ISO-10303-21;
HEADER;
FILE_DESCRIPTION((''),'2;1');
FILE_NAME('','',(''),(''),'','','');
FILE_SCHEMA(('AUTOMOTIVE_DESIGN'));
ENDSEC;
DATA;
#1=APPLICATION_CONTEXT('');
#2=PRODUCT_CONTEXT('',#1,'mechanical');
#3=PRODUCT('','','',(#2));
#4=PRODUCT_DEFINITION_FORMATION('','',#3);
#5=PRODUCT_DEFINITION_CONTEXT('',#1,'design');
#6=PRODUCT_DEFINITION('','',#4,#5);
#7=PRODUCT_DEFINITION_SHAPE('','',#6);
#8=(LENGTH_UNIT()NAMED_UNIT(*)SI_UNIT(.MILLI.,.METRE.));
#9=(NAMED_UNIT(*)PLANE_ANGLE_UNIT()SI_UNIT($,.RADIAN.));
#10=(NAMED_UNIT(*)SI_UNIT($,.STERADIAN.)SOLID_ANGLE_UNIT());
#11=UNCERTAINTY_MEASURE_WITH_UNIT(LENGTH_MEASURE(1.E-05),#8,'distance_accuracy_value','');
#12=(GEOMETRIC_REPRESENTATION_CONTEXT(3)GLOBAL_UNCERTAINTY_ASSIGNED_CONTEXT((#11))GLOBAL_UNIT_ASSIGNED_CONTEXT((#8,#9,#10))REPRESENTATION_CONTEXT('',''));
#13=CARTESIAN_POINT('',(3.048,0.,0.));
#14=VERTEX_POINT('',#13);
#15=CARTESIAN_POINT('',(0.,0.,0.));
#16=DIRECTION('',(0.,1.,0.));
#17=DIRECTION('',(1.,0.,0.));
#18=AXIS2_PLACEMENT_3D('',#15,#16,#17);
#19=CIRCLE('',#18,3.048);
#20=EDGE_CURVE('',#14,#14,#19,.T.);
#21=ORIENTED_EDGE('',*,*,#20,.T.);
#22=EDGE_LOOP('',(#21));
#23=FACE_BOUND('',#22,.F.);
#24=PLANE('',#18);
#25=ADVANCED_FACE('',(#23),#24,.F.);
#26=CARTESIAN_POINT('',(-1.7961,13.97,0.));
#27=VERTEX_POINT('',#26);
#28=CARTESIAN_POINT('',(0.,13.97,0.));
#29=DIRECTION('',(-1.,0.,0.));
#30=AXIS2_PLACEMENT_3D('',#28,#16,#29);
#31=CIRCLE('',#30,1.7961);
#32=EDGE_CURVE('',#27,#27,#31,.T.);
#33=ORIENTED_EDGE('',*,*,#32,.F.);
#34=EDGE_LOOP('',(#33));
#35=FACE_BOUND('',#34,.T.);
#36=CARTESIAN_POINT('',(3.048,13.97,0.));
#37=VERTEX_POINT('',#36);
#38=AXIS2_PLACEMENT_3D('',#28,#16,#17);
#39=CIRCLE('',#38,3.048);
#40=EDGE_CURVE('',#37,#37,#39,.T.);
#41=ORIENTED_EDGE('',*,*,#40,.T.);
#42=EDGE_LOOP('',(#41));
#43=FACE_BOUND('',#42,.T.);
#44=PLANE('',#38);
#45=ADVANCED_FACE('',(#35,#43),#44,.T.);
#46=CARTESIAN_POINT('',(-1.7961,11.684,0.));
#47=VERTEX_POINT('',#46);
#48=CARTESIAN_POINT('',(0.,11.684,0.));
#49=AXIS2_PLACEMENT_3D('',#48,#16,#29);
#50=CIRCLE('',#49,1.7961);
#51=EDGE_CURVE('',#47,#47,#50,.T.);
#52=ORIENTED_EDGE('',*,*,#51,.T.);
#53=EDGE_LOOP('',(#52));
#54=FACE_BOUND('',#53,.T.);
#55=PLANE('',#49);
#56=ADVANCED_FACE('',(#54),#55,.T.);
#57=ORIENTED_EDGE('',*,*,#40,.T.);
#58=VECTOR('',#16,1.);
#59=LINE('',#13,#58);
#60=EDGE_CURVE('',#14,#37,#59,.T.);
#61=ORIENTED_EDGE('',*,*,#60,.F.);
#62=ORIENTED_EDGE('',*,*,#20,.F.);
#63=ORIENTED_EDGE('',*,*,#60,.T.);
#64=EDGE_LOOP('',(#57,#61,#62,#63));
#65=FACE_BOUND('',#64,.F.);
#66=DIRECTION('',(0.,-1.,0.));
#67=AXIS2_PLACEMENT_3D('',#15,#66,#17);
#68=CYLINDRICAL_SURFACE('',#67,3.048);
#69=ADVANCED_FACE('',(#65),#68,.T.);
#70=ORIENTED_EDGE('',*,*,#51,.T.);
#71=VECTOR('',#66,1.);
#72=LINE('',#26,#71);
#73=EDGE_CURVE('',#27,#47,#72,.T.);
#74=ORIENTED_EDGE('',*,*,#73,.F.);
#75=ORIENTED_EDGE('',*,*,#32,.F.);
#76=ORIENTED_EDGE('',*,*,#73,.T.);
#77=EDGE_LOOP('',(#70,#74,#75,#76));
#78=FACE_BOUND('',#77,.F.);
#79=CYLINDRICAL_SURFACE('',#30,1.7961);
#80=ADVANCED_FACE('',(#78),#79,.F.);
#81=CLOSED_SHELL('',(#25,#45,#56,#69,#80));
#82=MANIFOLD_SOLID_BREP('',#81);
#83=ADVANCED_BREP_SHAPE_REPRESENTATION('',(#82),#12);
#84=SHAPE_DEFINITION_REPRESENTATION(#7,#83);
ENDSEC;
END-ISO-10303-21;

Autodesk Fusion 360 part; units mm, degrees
sketch "Sketch1" plane through (0, 0, 0) normal (0, 1, 0) x (1, 0, 0)
  circle A0 centre (0, 0) radius 3.048
  dimension "d1" = 6.096
extrude "Extrude1" add sketch "Sketch1" along normal blind 13.97
sketch "Sketch2" plane through (0, 13.97, 0) normal (0, 1, 0) x (-1, 0, 0)
  circle A0 centre (0, 0) radius 3.048
  circle A1 centre (0, 0) radius 1.7961
  dimension "d4" = 3.5921
extrude "Extrude2" cut sketch "Sketch2" against normal blind 2.286 contours A1
